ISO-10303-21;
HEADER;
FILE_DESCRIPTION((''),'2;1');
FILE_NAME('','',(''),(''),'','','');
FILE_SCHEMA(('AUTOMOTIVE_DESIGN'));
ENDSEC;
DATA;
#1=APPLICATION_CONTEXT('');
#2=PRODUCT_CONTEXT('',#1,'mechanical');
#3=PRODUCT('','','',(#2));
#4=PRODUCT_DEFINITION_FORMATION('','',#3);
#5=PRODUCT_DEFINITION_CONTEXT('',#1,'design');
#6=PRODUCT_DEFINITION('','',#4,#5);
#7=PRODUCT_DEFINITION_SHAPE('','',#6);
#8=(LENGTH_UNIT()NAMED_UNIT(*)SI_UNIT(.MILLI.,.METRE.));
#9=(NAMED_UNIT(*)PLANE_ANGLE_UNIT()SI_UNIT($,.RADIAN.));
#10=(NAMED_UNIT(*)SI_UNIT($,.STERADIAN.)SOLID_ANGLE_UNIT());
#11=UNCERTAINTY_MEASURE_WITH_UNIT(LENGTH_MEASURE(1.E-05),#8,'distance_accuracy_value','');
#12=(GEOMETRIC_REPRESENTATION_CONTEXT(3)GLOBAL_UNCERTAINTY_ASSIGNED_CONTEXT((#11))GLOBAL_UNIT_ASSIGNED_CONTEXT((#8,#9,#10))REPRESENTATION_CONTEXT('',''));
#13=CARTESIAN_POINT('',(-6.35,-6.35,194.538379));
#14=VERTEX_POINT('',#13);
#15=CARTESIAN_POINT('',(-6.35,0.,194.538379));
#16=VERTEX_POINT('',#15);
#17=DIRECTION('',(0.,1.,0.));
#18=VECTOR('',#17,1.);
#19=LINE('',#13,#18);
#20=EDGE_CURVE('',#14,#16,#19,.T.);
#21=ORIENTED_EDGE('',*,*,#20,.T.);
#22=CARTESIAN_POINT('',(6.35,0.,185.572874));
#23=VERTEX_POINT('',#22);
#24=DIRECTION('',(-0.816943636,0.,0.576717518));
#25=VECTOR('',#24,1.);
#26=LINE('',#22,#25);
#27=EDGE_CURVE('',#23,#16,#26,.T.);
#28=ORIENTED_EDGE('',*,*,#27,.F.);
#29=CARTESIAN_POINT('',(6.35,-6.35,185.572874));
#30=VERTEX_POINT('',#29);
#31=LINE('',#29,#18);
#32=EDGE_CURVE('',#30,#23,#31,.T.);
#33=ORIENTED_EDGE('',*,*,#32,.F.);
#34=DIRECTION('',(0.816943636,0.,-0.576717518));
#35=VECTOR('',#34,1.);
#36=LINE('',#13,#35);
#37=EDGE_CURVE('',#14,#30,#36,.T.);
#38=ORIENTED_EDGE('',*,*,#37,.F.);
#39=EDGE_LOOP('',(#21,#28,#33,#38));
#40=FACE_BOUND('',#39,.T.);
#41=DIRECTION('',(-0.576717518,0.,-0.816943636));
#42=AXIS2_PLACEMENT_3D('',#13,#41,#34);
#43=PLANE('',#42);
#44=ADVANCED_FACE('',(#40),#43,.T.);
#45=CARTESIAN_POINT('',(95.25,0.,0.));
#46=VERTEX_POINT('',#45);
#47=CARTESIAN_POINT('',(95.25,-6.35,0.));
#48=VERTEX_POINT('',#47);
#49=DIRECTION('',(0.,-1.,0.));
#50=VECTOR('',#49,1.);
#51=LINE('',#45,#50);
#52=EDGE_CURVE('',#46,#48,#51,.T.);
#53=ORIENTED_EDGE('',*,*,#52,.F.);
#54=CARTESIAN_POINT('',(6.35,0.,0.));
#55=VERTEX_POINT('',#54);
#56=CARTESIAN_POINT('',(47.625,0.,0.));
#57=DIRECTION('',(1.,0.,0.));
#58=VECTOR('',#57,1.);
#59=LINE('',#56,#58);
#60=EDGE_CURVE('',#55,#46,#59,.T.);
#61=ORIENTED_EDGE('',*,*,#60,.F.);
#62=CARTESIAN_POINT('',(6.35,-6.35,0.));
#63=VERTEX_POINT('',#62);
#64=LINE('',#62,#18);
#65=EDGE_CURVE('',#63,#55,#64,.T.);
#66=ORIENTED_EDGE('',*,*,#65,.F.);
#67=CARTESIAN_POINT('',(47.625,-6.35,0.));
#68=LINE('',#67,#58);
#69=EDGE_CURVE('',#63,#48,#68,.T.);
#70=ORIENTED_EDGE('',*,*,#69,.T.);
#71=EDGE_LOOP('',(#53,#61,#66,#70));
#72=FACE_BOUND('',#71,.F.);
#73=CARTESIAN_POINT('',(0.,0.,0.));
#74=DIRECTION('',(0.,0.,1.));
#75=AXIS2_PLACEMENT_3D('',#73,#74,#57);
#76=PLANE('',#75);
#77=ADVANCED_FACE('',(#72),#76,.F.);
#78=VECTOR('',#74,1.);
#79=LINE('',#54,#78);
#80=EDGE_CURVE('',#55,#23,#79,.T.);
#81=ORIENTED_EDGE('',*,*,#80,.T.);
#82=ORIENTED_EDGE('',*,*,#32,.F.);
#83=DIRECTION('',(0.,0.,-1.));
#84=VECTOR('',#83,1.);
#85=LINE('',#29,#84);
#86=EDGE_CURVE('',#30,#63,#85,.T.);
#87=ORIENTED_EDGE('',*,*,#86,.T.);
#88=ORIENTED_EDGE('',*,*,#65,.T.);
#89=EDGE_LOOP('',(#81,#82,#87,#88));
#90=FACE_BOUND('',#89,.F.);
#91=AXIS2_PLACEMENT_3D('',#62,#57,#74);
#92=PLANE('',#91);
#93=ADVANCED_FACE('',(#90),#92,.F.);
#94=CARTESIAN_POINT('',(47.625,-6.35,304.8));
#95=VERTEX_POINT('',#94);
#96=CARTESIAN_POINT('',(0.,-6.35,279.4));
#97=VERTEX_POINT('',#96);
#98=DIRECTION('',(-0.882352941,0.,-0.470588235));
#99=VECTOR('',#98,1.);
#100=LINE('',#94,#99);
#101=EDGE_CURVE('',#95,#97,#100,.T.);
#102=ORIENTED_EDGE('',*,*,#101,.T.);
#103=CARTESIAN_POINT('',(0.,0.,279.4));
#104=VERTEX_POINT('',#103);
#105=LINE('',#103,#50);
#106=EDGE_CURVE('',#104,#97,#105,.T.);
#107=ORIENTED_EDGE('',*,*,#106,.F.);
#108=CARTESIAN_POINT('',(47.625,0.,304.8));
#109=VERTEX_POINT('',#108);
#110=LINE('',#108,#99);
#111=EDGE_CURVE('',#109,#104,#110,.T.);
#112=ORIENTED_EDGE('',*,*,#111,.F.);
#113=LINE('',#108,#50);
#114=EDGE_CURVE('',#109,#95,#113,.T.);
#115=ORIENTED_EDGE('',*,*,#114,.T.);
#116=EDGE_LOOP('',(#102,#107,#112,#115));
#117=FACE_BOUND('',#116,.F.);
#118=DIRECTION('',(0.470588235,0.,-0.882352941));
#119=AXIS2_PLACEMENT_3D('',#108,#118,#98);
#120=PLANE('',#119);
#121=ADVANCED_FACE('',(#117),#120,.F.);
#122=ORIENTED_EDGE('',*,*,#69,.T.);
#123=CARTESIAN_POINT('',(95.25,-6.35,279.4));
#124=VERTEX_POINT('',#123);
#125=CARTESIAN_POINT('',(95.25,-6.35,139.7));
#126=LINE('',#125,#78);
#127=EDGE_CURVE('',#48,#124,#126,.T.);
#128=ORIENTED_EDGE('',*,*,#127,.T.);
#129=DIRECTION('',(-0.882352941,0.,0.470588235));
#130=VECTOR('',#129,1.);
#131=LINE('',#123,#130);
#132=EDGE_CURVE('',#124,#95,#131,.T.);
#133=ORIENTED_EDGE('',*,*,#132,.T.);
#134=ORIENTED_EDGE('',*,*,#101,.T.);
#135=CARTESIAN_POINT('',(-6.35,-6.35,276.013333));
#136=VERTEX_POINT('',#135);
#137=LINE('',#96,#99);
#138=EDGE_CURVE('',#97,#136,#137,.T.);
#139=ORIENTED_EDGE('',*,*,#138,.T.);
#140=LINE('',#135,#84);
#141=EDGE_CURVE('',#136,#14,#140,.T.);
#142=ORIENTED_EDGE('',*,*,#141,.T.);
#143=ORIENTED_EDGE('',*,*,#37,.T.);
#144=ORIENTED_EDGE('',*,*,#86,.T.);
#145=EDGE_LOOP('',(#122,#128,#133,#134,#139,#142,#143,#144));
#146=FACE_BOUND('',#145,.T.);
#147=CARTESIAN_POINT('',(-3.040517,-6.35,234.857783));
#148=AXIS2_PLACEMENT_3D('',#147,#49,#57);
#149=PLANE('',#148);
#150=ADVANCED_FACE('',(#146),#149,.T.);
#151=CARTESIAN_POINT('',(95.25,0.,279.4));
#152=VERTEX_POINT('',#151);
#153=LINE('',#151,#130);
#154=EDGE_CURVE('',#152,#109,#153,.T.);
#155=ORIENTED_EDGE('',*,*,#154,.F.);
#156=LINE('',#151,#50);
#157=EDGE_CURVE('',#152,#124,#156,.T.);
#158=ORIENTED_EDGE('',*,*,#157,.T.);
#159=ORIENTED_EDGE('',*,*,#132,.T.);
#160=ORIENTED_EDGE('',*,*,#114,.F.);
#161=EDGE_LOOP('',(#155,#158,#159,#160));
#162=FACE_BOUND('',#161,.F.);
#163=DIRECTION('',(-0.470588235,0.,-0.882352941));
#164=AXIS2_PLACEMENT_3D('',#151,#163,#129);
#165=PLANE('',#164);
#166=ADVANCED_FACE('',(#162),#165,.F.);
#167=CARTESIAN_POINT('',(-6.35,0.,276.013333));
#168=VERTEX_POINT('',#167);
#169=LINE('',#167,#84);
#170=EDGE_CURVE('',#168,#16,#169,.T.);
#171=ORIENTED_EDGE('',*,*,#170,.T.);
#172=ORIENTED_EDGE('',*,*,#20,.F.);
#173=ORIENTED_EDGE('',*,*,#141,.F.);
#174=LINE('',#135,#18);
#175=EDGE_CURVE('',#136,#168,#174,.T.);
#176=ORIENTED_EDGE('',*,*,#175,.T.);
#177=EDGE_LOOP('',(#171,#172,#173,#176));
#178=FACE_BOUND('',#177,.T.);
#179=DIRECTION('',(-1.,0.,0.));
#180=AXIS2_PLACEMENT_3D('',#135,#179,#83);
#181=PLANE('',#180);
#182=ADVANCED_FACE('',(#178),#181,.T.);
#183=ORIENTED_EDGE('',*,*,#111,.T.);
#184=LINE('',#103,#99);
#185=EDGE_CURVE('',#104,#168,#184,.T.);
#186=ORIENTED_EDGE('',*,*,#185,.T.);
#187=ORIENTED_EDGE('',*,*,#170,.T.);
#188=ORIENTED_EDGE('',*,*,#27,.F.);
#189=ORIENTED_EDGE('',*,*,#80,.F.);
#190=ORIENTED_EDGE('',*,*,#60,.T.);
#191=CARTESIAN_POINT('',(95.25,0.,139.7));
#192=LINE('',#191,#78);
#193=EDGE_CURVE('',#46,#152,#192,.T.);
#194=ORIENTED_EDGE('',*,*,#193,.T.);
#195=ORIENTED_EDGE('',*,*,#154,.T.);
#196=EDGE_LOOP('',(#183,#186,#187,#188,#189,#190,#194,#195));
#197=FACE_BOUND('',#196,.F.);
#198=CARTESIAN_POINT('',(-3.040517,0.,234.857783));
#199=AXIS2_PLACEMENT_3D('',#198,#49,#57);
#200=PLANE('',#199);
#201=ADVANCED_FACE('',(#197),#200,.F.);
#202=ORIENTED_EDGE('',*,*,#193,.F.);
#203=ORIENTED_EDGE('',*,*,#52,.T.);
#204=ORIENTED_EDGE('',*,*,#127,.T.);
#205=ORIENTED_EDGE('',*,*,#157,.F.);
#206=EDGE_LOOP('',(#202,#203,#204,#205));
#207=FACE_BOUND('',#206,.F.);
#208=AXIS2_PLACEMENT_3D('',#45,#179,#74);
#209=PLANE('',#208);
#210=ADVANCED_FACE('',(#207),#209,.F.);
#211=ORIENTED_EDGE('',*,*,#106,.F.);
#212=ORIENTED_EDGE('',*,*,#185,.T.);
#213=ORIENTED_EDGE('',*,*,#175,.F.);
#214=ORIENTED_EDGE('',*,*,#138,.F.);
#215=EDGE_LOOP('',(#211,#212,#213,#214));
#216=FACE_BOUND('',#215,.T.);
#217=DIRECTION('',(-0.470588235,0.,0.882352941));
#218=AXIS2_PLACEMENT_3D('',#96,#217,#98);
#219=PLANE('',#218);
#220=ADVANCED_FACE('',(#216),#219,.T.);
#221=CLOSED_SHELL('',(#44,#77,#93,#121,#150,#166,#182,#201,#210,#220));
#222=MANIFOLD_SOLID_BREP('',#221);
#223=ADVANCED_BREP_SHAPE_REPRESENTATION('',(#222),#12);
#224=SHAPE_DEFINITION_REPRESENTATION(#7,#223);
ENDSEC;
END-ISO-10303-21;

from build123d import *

# Parameters (mm, degrees)
F0_W     = 95.25
F0_H     = 279.4
F1_DEPTH = 6.35
F3_DEPTH = 25.4
F5_DEPTH = 6.35
F7_DEPTH = 6.35


with BuildPart() as f1:
    # F0 (on Front) → F1 (new body)
    with BuildSketch(Plane.XZ):
        with Locations((47.625, 139.7)):
            Rectangle(F0_W, F0_H)
        Polygon((47.625, 304.8), (0, 279.4), (95.25, 279.4), align=None)
    extrude(amount=F1_DEPTH)

    # F2 (on face) → F3 (cut)
    with BuildSketch(Plane.XZ.offset(6.35)):
        Polygon((0, 0), (6.35, 0), (6.35, 177.8), (0, 182.2827526427), align=None)
    extrude(amount=-F3_DEPTH, mode=Mode.SUBTRACT)

    # F4 (on face) → F5 (cut)
    with BuildSketch(Plane.XZ.offset(6.35)):
        Polygon((0, 182.2827526427), (6.35, 177.8), (6.35, 185.5728740667), (0, 190.0556267094), align=None)
    extrude(amount=-F5_DEPTH, mode=Mode.SUBTRACT)

    # F6 (on face) → F7 (join)
    with BuildSketch(Plane.XZ.offset(6.35)):
        Polygon((0, 190.0556267094), (0, 279.4), (-6.35, 276.0133333333), (-6.35, 194.5383793521), align=None)
    extrude(amount=-F7_DEPTH)


solid = f1.part
